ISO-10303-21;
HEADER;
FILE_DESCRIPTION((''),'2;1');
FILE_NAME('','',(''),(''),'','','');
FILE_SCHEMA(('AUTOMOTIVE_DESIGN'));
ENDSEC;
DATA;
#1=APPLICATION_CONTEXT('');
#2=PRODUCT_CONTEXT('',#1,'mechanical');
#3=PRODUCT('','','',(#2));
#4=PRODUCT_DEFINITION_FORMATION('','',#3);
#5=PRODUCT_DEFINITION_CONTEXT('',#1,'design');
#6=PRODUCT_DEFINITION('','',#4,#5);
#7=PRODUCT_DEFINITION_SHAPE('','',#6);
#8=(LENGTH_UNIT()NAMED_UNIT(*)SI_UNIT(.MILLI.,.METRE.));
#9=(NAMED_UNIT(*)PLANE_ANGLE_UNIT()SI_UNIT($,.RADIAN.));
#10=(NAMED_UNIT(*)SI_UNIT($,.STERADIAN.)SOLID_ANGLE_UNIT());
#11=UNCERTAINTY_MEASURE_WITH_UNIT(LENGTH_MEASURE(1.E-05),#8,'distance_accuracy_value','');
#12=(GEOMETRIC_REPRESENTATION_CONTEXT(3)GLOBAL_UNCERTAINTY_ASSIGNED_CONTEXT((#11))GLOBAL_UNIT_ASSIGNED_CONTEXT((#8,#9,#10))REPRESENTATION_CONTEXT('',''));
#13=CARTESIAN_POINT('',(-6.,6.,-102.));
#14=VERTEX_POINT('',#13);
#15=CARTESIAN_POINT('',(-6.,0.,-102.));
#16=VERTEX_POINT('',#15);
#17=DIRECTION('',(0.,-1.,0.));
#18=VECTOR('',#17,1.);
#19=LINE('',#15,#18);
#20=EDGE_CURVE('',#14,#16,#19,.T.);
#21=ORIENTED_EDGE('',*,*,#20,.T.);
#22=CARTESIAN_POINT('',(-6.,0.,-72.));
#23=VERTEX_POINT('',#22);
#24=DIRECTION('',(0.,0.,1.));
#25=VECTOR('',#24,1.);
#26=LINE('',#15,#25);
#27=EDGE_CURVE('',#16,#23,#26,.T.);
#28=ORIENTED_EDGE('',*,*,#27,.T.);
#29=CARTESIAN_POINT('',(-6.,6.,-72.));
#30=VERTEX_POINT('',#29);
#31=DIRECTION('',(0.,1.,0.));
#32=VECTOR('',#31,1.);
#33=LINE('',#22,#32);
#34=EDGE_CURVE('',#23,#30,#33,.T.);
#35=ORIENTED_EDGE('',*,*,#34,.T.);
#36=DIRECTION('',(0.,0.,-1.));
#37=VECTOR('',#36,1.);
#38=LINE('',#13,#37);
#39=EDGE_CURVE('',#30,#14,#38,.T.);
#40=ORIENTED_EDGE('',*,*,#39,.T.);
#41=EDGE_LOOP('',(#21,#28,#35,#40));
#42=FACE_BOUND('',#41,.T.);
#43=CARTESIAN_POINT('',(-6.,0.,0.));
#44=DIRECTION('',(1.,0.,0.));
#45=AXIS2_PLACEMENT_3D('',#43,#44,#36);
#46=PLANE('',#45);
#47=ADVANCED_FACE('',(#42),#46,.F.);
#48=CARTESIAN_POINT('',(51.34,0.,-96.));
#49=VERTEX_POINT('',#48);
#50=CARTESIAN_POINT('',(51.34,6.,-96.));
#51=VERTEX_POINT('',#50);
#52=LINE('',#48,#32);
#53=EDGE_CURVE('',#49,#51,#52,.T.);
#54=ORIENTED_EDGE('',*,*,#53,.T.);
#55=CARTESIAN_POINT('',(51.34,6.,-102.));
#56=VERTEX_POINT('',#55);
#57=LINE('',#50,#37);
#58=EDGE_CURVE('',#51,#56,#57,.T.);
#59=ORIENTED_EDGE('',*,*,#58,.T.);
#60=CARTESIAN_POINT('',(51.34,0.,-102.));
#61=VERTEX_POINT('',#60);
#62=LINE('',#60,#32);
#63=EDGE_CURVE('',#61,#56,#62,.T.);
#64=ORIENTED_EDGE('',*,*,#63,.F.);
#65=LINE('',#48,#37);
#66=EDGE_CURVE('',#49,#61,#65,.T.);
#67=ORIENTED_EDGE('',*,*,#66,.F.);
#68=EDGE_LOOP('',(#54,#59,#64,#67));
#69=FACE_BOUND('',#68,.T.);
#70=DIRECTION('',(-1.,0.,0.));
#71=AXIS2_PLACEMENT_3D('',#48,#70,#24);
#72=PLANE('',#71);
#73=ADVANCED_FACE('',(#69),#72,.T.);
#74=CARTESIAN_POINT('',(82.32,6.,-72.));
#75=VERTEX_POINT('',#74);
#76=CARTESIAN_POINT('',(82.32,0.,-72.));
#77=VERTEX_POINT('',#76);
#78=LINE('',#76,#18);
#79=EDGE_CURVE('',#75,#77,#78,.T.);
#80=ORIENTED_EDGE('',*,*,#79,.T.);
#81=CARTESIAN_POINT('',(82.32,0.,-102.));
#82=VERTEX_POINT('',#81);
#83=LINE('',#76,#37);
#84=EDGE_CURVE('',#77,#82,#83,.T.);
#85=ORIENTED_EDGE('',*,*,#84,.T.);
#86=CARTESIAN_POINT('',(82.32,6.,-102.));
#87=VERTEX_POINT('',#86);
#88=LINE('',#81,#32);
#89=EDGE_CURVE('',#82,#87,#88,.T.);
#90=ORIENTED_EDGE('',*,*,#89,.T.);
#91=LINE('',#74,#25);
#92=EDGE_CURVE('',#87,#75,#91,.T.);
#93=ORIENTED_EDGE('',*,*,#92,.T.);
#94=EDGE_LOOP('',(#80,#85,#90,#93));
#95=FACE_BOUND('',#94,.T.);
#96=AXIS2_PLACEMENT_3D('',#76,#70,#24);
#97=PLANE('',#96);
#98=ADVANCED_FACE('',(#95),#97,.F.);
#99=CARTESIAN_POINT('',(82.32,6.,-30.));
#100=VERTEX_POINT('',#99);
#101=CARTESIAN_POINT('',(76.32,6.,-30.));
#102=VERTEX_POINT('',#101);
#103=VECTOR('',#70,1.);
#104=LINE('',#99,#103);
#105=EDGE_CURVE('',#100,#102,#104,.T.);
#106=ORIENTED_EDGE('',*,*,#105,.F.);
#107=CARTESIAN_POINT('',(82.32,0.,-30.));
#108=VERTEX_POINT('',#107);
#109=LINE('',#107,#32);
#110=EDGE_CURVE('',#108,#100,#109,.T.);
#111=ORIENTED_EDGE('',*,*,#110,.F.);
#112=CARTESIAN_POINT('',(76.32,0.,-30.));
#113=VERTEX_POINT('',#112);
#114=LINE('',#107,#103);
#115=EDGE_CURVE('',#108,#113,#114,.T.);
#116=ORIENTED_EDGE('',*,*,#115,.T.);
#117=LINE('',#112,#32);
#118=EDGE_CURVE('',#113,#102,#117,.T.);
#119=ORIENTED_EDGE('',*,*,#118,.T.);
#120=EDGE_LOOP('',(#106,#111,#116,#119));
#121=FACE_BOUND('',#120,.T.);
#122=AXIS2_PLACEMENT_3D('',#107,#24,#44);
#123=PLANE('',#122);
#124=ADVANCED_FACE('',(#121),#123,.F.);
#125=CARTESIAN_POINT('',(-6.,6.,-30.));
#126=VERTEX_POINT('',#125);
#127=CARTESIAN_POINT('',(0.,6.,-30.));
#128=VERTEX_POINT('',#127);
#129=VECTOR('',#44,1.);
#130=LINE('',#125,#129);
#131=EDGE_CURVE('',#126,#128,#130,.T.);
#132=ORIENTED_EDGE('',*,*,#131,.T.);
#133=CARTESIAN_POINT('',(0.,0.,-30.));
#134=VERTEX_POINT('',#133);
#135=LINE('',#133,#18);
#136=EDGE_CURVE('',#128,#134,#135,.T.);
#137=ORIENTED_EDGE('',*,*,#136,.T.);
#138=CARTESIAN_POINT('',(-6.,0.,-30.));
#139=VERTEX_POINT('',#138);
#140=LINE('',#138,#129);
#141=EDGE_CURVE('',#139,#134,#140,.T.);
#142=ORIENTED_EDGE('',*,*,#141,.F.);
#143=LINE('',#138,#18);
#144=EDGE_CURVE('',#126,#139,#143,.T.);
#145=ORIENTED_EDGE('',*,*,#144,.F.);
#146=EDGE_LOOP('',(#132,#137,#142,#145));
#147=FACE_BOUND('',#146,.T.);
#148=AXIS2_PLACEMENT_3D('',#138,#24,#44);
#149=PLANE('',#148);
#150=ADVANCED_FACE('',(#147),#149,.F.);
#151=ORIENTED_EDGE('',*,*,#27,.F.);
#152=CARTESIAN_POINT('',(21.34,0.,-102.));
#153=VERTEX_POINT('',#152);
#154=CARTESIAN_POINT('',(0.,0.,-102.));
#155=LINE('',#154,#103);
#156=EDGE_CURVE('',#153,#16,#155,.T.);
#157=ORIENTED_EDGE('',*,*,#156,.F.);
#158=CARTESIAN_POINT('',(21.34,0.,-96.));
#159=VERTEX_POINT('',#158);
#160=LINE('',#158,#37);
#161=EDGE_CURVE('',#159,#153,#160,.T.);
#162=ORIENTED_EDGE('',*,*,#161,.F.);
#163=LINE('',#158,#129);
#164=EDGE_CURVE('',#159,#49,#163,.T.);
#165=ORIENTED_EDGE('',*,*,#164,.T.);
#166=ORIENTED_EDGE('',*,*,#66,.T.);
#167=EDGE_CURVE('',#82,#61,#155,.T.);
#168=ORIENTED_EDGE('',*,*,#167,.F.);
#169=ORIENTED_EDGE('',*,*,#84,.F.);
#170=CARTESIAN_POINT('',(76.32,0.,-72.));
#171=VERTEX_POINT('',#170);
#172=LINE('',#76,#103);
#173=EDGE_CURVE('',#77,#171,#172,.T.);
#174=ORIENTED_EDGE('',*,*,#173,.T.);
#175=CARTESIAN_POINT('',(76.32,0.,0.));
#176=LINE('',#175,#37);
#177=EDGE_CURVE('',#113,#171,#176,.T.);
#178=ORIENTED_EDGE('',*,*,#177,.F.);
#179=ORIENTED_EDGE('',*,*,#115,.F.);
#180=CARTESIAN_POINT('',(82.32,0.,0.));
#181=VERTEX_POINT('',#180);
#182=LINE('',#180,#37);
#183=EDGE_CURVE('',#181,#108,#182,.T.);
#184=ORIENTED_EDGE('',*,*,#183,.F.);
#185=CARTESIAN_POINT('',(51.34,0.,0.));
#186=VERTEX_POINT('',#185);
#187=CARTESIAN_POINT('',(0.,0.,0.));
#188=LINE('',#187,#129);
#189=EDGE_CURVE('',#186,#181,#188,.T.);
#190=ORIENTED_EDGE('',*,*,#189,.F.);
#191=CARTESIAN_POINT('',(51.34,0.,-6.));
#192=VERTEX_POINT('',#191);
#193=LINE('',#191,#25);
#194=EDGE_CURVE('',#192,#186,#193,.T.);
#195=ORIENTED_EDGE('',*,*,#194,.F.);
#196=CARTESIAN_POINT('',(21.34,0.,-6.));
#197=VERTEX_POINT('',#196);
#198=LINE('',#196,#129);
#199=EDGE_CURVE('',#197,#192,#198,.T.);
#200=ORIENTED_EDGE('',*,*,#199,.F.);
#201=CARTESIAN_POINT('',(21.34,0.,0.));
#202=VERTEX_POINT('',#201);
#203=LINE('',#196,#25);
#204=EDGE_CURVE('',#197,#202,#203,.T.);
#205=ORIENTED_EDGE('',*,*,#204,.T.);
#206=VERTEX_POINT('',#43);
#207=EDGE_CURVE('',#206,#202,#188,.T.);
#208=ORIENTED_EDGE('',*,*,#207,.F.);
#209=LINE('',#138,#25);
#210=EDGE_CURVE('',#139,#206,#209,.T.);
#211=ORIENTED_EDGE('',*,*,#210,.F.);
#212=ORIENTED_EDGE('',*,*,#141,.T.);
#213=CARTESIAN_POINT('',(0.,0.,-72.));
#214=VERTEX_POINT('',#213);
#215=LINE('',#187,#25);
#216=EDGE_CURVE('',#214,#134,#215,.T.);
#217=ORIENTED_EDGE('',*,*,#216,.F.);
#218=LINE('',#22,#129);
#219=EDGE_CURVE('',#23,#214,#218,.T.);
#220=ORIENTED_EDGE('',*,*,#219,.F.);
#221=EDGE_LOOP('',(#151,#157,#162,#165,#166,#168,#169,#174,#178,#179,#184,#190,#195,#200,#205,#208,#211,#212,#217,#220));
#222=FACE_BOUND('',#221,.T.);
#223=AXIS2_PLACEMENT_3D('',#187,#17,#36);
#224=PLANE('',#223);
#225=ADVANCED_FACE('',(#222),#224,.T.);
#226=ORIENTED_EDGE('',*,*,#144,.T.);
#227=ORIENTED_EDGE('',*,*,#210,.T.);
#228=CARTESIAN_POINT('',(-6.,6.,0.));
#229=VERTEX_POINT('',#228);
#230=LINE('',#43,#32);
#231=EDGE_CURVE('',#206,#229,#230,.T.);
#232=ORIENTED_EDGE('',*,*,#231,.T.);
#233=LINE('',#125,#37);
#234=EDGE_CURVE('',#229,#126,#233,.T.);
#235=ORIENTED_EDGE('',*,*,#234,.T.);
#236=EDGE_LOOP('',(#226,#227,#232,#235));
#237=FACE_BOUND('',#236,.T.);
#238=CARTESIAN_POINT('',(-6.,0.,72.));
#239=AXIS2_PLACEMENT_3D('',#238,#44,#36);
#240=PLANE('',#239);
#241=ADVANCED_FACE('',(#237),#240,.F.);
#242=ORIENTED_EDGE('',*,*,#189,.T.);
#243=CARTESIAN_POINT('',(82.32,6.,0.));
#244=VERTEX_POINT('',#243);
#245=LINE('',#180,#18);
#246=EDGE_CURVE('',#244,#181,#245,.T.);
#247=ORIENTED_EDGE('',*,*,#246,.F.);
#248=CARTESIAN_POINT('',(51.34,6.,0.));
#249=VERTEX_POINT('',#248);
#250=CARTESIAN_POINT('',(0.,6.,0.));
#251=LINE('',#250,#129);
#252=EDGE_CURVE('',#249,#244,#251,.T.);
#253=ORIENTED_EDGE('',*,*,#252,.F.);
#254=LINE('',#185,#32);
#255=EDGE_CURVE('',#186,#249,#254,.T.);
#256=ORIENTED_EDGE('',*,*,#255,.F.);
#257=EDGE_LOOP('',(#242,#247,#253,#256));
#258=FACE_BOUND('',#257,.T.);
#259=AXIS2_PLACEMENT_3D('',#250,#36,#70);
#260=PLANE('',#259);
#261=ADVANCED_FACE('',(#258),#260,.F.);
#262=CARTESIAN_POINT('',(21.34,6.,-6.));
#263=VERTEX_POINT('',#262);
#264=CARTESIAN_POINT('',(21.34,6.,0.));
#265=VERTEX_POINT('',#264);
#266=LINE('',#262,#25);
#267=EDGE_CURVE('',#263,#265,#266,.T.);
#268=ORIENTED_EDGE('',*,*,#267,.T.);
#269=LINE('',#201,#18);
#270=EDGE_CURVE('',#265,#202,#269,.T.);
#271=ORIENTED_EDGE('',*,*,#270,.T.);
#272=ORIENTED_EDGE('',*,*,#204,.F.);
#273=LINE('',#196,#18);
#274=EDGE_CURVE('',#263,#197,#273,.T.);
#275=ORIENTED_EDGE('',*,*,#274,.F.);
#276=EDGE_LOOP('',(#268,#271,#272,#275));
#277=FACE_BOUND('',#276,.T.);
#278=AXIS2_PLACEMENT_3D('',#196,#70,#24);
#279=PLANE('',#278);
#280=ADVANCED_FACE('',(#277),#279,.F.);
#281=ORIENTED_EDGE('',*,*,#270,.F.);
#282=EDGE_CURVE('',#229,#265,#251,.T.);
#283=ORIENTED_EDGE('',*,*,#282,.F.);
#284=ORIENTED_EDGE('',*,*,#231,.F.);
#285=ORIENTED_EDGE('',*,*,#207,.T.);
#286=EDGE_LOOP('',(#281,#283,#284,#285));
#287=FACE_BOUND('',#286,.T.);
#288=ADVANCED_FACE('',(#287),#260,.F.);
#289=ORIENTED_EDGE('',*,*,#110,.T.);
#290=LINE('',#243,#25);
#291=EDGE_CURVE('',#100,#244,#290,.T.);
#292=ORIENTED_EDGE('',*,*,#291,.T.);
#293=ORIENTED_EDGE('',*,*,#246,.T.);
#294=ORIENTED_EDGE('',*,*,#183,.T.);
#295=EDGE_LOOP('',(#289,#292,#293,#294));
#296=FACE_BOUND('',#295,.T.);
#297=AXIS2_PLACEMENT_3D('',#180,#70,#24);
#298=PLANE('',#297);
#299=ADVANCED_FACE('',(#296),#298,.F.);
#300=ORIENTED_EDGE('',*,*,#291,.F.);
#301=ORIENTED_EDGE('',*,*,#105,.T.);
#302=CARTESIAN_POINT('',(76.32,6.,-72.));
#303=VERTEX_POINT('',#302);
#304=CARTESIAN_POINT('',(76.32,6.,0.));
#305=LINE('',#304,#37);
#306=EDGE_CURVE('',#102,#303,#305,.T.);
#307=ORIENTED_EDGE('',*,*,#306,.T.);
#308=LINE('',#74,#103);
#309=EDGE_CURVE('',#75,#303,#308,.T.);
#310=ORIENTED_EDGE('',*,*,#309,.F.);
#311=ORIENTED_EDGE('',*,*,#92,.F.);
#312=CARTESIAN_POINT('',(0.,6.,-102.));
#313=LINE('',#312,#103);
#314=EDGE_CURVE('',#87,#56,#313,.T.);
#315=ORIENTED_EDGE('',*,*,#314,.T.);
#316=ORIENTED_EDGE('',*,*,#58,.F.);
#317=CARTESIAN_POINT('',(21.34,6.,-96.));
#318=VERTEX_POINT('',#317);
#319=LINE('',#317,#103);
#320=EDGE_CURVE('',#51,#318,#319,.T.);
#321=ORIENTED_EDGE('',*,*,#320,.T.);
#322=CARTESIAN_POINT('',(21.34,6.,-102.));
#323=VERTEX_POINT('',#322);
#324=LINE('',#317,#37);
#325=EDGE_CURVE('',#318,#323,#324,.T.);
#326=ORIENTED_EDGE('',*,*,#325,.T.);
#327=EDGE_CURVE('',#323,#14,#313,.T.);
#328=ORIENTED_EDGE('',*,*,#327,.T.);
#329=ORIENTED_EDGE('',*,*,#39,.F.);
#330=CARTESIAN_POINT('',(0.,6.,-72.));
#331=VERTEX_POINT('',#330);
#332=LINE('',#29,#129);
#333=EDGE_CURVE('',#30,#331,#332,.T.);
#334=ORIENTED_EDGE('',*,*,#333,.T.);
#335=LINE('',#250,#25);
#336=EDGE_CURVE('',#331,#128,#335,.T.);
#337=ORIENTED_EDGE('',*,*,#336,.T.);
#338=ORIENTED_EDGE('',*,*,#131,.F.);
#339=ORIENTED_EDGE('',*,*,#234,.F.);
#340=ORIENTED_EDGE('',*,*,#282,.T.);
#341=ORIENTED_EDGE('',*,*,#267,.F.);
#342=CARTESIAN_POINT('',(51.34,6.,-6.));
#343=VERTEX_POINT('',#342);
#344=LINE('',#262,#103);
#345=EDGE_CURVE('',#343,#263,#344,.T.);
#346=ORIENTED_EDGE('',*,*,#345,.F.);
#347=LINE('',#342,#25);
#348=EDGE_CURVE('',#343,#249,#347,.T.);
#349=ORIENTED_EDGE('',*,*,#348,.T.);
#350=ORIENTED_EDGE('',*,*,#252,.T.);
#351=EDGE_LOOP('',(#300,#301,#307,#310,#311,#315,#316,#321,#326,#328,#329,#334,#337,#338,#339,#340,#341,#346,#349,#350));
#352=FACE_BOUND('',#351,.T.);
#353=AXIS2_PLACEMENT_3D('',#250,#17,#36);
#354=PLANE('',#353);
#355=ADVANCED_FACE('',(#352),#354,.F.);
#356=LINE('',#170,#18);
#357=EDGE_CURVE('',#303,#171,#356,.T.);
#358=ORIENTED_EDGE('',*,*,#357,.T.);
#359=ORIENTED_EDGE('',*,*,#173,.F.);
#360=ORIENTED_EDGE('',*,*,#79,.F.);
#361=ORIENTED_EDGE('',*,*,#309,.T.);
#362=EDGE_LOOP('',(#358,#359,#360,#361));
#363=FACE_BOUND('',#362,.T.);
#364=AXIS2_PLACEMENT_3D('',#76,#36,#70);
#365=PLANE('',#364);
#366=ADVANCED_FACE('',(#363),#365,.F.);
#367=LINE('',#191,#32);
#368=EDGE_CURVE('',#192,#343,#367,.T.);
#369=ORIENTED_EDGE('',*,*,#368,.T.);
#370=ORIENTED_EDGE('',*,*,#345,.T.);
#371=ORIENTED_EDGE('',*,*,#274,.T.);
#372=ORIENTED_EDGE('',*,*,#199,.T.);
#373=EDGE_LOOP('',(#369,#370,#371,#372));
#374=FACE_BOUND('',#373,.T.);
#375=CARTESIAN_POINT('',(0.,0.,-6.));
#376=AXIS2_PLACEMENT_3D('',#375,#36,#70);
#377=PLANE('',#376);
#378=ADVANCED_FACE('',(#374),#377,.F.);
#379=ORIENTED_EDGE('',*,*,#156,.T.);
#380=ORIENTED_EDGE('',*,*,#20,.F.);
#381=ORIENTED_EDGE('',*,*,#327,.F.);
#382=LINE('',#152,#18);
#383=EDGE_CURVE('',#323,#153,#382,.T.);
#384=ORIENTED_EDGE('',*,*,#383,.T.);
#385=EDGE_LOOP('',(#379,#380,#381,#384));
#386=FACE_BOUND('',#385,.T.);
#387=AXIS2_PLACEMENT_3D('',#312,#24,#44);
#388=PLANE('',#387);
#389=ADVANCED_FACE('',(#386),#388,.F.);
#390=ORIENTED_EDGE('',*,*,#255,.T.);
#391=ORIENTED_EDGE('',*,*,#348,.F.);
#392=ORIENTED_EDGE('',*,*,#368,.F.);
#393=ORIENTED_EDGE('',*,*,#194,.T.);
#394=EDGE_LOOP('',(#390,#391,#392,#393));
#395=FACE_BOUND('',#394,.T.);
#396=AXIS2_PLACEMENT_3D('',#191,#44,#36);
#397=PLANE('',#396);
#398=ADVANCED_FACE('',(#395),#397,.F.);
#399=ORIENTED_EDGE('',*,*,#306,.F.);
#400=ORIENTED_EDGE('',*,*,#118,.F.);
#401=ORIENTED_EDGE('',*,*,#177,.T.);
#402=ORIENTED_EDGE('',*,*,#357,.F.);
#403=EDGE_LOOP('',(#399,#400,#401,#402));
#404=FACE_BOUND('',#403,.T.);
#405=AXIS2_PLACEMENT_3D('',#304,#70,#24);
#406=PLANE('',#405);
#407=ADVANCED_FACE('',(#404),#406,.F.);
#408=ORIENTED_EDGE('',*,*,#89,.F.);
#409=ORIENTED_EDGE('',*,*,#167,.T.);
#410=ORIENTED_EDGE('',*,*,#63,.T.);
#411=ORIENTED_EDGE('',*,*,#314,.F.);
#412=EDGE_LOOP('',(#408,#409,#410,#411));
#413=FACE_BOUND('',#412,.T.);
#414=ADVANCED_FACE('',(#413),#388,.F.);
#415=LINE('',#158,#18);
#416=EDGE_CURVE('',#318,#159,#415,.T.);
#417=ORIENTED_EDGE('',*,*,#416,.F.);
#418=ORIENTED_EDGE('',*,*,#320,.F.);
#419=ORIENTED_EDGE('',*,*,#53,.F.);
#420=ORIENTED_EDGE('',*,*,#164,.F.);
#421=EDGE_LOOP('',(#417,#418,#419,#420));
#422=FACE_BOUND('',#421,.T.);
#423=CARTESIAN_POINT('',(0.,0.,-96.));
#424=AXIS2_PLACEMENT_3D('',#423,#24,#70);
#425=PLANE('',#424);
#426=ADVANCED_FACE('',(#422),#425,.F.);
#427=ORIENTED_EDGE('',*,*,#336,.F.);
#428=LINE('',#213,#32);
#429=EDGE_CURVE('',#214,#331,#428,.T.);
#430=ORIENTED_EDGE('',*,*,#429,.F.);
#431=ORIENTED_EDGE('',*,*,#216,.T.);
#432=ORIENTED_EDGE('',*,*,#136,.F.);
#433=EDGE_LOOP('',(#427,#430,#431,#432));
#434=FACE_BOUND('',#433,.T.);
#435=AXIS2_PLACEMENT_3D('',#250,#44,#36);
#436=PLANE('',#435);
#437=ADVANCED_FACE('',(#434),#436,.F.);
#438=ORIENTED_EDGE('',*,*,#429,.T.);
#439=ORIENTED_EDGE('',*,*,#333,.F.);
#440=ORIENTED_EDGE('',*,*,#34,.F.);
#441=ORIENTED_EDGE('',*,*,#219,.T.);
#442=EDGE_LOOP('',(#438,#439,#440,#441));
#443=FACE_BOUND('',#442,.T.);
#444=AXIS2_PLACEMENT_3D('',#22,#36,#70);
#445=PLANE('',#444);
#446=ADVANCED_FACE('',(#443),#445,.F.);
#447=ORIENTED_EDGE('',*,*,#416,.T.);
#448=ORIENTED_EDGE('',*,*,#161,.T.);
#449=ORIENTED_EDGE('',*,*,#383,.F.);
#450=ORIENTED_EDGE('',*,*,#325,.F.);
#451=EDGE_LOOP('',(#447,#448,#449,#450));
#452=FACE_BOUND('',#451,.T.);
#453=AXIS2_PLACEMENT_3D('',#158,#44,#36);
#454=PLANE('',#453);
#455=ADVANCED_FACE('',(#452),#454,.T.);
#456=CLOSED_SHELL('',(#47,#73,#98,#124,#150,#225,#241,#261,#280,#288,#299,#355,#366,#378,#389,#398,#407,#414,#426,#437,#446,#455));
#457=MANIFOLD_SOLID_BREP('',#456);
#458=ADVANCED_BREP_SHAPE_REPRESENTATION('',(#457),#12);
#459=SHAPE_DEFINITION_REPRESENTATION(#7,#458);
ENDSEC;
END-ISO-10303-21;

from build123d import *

# Parameters (mm, degrees)
SKETCH1_W           = 76.32
SKETCH1_H           = 102
BOSS_EXTRUDE1_DEPTH = 6
SKETCH2_W           = 30
SKETCH2_H           = 6
BOSS_EXTRUDE2_DEPTH = 6
LPATTERN1_COUNT     = 2
LPATTERN1_PITCH     = 72
SKETCH4_W           = 30
SKETCH4_H           = 6
BOSS_EXTRUDE3_DEPTH = 6
LPATTERN2_COUNT     = 2
LPATTERN2_PITCH     = 72
SKETCH5_W           = 30
SKETCH5_H           = 6
CUT_EXTRUDE1_DEPTH  = 6


with BuildPart() as part:
    # Sketch1 → Boss-Extrude1 (new body)
    with BuildSketch(Plane(origin=(0, 0, 0), x_dir=(1, 0, 0), z_dir=(0, 1, 0))):
        with Locations((38.16, 51)):
            Rectangle(SKETCH1_W, SKETCH1_H)
    extrude(amount=BOSS_EXTRUDE1_DEPTH)

    # Sketch2 → Boss-Extrude2 (add)
    with BuildSketch(Plane(origin=(76.32, 0, 0), x_dir=(0, 0, -1), z_dir=(1, 0, 0))):
        with Locations((15, 3)):
            Rectangle(SKETCH2_W, SKETCH2_H)
    boss_extrude2 = extrude(amount=BOSS_EXTRUDE2_DEPTH)

    # LPattern1: Boss-Extrude2 ×2
    with Locations(*[(0, 0, -i * LPATTERN1_PITCH) for i in range(1, LPATTERN1_COUNT)]):
        add(boss_extrude2)

    # Sketch4 → Boss-Extrude3 (add)
    with BuildSketch(Plane.ZY):
        with Locations((-87, 3)):
            Rectangle(SKETCH4_W, SKETCH4_H)
    boss_extrude3 = extrude(amount=BOSS_EXTRUDE3_DEPTH)

    # LPattern2: Boss-Extrude3 ×2
    with Locations(*[(0, 0, i * LPATTERN2_PITCH) for i in range(1, LPATTERN2_COUNT)]):
        add(boss_extrude3)

    # Sketch5 → Cut-Extrude1 (cut)
    with BuildSketch(Plane.XY):
        with Locations((36.34, 3)):
            Rectangle(SKETCH5_W, SKETCH5_H)
    cut_extrude1 = extrude(amount=-CUT_EXTRUDE1_DEPTH, mode=Mode.SUBTRACT)

    # Mirror1: Cut-Extrude1 across plane
    add(cut_extrude1.mirror(Plane(origin=(0, 0, -51), x_dir=(1, 0, 0), z_dir=(0, 0, -1))), mode=Mode.SUBTRACT)


solid = part.part
